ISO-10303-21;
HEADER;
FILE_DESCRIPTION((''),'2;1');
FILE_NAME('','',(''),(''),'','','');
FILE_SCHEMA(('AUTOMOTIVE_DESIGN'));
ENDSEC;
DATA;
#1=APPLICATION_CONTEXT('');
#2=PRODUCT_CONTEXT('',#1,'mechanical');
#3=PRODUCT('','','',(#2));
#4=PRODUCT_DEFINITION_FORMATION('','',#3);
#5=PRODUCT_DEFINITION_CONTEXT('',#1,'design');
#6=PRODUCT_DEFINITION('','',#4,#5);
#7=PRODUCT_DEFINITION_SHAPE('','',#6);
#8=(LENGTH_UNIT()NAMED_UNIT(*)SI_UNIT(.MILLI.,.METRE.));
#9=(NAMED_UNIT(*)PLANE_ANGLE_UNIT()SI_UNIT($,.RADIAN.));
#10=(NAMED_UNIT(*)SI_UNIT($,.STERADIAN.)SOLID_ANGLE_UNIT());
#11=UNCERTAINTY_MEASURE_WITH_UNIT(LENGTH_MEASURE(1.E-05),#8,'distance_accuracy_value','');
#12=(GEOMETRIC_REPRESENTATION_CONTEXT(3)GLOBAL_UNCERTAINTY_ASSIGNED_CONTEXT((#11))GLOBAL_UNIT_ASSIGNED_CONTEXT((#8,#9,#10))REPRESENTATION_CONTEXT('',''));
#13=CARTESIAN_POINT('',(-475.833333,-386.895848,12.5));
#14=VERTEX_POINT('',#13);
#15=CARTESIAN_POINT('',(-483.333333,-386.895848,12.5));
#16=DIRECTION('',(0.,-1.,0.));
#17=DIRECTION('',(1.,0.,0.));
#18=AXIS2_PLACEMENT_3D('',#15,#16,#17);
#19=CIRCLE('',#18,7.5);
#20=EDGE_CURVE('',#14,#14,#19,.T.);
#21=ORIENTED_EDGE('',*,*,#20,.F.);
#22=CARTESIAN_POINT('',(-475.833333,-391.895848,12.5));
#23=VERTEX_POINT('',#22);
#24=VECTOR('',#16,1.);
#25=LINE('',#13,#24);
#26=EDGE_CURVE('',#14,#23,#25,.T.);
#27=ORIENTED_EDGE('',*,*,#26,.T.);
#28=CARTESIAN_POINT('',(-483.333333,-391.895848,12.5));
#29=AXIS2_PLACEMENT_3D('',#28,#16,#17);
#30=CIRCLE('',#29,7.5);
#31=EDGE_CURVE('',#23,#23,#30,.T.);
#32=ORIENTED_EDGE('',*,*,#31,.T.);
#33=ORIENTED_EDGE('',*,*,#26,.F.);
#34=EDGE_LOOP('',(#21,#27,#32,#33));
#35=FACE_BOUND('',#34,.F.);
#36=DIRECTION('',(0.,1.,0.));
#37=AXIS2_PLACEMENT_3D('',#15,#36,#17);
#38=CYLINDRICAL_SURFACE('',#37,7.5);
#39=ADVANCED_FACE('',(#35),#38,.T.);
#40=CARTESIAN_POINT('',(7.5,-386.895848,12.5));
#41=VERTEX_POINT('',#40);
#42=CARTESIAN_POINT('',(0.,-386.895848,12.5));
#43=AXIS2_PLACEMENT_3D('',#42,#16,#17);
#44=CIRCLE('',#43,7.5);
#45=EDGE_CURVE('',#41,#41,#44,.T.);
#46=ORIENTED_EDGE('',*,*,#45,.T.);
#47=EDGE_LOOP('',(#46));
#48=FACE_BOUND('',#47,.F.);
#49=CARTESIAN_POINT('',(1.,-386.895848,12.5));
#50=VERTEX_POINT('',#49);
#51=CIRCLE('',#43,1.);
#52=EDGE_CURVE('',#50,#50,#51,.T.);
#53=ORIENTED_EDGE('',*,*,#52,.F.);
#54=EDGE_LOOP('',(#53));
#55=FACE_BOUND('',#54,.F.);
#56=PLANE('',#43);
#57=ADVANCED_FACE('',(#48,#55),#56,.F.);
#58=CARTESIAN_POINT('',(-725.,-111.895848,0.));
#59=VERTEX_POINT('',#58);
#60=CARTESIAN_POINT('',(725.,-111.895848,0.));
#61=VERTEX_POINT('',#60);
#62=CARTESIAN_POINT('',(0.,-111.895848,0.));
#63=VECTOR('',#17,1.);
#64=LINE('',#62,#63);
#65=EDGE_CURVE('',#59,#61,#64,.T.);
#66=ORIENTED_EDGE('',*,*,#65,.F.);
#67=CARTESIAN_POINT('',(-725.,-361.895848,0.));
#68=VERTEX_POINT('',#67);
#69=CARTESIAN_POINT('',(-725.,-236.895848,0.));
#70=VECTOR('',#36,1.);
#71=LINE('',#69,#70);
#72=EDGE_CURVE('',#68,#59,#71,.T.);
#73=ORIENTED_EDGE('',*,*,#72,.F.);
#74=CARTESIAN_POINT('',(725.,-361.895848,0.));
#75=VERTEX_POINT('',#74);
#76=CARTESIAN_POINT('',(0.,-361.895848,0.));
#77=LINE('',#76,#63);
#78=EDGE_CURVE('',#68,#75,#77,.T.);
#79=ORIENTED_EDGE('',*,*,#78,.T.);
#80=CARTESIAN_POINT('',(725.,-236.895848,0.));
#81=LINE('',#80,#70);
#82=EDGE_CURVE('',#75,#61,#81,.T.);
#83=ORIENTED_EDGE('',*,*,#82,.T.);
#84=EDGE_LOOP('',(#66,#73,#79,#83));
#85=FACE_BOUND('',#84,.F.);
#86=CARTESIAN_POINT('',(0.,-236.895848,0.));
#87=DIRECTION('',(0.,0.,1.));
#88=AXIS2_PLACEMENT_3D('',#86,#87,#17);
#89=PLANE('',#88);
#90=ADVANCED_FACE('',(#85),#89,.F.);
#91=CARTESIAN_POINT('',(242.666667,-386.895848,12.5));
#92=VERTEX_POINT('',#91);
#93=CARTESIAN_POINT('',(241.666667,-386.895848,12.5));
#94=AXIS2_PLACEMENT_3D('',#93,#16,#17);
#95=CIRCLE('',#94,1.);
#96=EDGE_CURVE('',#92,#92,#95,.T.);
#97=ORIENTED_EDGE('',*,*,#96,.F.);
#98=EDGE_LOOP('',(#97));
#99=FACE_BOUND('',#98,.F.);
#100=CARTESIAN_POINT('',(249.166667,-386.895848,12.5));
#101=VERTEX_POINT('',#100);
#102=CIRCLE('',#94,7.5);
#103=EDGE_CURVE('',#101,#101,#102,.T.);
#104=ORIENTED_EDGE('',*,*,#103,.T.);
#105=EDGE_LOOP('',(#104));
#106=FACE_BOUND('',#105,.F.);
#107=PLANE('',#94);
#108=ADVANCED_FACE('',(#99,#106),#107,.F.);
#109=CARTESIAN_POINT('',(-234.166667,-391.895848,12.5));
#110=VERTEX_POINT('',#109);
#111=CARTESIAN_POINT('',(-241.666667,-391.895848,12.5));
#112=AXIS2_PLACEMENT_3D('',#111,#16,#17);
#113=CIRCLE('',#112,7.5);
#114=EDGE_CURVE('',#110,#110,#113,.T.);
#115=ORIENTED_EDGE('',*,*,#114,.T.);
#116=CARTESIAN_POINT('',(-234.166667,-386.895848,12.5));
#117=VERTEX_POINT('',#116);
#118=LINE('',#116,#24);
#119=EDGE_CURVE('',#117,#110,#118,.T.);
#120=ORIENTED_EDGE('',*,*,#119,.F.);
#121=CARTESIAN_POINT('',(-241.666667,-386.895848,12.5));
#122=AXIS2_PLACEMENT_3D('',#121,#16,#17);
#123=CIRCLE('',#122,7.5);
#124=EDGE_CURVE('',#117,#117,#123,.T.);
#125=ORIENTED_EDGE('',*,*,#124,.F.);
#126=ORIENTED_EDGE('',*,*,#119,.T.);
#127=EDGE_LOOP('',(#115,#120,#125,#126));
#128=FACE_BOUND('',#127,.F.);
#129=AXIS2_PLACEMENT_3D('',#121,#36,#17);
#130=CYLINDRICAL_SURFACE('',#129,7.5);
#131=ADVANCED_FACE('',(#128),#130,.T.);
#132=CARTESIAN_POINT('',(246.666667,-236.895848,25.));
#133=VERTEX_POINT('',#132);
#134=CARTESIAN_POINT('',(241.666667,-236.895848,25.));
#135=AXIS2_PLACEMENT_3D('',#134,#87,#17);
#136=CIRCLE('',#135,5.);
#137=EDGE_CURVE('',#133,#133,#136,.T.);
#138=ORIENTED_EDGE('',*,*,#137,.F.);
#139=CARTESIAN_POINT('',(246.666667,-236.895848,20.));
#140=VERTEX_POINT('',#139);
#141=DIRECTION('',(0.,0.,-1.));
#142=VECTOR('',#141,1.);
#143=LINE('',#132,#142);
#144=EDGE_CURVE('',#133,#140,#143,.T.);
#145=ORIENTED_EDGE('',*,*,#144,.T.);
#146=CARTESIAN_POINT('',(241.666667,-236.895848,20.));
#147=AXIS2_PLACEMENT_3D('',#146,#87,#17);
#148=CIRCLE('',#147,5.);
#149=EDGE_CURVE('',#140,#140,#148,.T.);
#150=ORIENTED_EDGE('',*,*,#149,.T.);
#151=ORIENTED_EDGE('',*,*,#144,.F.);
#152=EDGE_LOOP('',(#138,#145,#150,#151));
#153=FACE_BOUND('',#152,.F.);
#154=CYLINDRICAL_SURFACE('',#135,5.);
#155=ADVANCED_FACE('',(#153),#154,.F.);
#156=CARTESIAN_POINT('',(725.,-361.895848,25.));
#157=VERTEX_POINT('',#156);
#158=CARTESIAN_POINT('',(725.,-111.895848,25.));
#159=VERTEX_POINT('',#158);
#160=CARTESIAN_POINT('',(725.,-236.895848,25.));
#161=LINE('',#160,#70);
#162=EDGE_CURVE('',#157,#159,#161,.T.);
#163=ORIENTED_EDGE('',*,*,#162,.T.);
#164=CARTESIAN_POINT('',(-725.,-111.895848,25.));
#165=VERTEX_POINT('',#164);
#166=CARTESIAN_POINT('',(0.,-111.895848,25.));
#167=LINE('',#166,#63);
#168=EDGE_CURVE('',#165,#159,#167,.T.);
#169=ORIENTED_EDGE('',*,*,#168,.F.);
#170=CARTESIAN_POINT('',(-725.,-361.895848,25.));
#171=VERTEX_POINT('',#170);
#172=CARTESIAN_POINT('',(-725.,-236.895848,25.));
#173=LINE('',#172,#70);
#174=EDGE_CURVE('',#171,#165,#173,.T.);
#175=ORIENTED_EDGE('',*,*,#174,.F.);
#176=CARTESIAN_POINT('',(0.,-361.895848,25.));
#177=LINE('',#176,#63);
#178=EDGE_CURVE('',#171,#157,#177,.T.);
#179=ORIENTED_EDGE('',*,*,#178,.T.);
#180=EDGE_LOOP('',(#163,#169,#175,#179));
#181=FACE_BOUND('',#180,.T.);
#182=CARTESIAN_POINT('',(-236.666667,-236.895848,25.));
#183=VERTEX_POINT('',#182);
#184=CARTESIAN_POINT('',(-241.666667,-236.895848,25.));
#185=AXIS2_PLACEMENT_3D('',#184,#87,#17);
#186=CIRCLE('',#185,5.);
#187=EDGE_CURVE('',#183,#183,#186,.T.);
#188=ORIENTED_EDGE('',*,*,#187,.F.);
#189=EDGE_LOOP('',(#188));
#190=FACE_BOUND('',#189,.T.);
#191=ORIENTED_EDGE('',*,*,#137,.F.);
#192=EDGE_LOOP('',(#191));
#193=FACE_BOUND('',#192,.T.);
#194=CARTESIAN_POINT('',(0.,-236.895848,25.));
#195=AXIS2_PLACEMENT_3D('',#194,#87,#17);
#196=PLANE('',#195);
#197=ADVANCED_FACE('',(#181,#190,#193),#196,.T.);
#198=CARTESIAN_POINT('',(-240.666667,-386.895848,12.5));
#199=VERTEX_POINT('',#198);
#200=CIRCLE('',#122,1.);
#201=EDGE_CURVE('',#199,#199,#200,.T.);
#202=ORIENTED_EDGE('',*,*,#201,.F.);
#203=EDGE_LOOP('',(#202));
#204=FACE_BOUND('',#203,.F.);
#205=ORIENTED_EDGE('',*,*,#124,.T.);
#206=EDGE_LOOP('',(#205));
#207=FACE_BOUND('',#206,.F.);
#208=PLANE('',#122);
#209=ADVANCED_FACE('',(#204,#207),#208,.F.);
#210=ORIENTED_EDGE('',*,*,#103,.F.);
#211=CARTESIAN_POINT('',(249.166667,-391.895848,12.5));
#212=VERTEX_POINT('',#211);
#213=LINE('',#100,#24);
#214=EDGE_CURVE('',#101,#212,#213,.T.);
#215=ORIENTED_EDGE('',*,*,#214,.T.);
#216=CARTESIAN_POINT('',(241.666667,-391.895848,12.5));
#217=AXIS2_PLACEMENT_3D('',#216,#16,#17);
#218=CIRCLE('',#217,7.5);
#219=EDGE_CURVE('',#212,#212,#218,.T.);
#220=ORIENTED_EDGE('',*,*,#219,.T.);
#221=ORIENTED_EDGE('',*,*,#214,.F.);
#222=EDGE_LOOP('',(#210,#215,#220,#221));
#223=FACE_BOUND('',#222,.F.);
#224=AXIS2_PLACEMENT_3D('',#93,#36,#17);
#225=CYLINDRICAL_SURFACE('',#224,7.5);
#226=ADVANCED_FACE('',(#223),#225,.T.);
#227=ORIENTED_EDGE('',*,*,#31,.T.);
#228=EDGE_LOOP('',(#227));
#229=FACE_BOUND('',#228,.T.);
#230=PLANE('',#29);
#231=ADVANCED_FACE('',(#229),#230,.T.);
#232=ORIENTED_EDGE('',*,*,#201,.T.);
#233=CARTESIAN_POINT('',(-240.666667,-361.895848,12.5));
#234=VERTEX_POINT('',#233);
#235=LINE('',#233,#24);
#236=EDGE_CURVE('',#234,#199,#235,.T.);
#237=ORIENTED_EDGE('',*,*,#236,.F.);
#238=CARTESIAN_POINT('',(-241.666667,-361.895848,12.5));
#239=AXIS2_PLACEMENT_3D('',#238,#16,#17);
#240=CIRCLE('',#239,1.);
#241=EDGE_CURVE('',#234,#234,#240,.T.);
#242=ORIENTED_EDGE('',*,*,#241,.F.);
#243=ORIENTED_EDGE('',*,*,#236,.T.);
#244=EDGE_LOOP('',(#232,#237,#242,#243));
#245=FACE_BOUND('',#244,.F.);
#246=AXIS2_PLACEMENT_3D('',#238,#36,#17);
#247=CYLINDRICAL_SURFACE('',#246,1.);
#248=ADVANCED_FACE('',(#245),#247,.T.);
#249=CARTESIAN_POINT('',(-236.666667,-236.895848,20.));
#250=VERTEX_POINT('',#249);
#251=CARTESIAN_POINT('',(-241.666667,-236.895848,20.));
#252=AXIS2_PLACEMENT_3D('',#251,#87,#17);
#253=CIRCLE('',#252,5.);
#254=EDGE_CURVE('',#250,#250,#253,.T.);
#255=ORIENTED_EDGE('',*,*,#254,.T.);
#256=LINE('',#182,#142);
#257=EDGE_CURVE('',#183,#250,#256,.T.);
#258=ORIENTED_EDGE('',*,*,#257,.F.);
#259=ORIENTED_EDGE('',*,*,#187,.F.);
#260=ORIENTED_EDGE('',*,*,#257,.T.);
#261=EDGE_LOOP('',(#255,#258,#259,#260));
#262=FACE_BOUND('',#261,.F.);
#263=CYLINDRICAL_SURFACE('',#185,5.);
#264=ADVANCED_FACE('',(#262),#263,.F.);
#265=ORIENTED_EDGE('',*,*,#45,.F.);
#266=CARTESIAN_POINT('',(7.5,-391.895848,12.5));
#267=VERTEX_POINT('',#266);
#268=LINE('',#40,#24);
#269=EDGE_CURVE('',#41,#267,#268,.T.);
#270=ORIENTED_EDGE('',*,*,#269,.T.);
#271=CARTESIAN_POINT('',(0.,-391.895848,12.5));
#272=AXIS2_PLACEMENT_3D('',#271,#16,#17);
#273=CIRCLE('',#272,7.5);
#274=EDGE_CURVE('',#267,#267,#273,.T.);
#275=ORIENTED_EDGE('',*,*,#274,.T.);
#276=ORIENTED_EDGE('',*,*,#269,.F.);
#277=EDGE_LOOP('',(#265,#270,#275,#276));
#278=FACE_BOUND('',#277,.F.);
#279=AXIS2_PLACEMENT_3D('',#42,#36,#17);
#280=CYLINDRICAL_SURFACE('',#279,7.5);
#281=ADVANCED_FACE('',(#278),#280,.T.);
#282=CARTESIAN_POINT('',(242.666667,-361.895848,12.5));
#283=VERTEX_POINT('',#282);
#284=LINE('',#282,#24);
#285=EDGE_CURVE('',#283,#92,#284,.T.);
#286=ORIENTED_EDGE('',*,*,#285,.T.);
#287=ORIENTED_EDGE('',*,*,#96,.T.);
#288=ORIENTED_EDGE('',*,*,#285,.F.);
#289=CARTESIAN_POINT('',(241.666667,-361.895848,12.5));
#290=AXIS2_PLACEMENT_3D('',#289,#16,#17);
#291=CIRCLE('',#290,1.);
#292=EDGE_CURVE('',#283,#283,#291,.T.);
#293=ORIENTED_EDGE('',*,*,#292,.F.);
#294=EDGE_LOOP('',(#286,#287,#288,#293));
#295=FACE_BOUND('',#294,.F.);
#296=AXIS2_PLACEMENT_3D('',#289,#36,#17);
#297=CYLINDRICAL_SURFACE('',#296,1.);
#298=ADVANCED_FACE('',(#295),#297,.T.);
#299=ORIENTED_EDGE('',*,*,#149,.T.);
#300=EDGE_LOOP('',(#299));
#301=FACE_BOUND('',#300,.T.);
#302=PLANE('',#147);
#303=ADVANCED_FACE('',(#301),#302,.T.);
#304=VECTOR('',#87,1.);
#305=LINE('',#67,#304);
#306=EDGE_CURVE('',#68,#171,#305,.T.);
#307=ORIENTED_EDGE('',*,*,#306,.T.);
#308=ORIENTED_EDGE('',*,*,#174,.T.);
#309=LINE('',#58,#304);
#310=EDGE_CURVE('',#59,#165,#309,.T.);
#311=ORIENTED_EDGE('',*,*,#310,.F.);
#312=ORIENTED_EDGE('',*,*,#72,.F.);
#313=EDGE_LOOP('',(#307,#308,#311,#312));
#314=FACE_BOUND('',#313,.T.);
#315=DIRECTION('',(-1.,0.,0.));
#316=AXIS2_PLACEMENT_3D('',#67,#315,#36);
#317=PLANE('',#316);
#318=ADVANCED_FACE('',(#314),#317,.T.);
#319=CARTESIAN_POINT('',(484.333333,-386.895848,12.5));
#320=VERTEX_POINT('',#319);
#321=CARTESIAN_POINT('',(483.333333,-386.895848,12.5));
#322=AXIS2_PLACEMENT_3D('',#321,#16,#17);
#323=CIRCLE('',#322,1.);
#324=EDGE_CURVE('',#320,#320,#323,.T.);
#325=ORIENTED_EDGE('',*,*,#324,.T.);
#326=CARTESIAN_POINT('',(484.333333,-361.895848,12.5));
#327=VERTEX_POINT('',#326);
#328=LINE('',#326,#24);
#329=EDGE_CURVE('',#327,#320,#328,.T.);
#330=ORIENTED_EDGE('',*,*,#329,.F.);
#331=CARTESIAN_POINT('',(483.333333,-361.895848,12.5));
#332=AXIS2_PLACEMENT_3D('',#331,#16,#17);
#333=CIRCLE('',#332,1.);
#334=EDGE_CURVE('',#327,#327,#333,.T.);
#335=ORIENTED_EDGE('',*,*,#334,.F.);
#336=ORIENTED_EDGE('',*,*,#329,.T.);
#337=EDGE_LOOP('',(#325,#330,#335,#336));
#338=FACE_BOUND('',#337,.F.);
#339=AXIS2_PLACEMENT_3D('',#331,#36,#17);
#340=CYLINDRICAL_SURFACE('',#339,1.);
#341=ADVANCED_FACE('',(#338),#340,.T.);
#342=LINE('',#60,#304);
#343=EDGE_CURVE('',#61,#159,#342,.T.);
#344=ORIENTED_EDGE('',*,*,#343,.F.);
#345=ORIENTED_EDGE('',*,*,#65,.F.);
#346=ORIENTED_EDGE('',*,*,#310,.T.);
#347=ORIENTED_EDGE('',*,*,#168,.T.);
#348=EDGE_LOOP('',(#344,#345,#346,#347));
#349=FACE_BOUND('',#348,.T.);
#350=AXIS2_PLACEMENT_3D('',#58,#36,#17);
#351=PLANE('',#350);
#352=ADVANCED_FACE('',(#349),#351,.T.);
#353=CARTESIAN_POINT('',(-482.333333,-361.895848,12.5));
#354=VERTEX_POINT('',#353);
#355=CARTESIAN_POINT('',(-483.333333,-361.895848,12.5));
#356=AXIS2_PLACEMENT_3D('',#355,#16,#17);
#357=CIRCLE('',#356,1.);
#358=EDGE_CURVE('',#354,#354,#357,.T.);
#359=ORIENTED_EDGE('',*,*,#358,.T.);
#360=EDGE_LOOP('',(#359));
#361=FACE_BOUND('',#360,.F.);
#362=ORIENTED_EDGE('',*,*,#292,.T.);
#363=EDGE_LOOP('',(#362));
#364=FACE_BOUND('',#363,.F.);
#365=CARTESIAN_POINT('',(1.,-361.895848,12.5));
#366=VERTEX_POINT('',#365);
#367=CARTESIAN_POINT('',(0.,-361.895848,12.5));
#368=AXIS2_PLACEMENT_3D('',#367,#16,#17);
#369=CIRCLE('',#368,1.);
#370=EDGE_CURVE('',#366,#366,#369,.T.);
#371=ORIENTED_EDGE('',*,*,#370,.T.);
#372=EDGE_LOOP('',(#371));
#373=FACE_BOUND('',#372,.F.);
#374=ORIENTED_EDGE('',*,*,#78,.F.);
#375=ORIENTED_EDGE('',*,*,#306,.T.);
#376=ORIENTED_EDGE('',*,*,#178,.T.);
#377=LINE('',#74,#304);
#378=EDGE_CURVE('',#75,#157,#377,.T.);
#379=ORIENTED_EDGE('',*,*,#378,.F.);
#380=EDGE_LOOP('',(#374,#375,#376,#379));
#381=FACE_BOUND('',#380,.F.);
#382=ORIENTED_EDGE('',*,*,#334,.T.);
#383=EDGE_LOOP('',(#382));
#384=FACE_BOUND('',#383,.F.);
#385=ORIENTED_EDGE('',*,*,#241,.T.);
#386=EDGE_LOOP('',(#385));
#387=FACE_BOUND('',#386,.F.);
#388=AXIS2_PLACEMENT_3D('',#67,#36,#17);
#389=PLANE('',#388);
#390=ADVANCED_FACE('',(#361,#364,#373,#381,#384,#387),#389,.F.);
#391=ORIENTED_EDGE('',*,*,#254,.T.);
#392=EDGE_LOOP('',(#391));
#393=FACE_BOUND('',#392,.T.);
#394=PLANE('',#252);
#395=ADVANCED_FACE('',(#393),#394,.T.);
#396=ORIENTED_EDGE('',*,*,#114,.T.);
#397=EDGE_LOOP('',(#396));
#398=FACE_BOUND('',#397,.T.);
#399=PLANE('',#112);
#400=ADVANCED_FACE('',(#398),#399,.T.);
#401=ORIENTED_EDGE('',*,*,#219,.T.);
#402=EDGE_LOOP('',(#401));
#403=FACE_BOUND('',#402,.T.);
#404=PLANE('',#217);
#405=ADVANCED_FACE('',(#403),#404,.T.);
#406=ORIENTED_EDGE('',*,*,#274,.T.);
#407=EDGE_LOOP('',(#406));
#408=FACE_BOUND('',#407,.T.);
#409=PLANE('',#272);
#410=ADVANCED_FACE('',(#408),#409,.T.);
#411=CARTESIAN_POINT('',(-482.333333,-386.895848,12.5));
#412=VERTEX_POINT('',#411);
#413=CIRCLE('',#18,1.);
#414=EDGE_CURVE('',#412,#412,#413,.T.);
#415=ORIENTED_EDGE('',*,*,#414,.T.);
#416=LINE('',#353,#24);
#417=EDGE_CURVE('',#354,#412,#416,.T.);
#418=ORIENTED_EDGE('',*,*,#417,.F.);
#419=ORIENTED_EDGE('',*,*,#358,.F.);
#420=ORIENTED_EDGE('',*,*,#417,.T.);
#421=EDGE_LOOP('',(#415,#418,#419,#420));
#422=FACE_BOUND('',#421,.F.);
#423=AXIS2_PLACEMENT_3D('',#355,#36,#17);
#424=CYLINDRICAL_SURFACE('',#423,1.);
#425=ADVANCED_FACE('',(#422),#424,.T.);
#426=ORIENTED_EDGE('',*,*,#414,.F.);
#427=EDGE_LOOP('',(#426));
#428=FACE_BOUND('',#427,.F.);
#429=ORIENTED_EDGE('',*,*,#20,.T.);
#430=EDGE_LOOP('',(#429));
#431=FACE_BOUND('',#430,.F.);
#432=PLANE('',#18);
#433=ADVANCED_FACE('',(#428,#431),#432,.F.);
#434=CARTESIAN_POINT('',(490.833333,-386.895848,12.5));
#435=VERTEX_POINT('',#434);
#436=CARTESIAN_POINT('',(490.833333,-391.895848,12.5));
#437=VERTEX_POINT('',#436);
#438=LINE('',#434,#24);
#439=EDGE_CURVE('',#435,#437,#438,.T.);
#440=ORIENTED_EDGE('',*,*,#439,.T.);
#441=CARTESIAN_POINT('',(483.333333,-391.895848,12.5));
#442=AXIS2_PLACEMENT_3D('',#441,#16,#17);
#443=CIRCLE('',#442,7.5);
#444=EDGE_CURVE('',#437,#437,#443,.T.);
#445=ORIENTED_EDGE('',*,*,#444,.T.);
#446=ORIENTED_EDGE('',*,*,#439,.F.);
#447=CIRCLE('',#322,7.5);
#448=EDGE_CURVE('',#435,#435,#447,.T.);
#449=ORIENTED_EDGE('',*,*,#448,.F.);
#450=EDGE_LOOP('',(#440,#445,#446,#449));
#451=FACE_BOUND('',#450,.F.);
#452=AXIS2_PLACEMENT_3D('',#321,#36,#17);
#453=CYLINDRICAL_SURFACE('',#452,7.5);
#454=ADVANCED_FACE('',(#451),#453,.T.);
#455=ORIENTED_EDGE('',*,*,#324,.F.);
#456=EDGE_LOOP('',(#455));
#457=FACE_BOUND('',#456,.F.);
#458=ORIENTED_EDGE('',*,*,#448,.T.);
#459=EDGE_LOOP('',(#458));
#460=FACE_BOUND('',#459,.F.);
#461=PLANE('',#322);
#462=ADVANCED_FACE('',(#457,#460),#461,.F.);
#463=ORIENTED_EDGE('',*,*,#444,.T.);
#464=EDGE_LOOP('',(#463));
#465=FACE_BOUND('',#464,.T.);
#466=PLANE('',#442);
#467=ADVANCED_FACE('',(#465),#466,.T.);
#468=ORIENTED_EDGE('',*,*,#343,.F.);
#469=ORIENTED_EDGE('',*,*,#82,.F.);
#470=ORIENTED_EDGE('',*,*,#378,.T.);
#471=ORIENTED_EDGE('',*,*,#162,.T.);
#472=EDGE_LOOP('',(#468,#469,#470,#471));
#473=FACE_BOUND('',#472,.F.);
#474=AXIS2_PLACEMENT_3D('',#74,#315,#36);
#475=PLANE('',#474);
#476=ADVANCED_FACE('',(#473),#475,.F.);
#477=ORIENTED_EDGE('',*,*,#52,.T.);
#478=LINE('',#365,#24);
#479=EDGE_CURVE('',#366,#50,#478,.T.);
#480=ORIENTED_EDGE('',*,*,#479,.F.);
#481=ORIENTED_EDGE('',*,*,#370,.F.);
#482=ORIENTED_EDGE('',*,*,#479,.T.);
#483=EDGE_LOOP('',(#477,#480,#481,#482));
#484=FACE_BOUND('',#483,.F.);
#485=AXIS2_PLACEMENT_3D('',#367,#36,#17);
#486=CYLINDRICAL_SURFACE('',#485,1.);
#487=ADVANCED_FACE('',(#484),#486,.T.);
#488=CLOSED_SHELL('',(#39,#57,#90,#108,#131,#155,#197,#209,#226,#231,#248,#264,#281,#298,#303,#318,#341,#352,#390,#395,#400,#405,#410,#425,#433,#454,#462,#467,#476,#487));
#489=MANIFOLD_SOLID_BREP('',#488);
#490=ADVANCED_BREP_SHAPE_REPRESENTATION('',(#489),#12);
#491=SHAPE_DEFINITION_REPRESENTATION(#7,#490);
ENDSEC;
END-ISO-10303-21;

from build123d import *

# Parameters (mm, degrees)
F0_W     = 1450
F0_H     = 250
F1_DEPTH = 25
F2_R     = 1
F3_DEPTH = 25
F5_R     = 7.5
F6_DEPTH = 5
F7_R     = 5
F8_DEPTH = 5


with BuildPart() as f1:
    # F0 (on Top) → F1 (new body)
    with BuildSketch(Plane.XY):
        with Locations((0, -236.8958477461)):
            Rectangle(F0_W, F0_H)
    extrude(amount=F1_DEPTH)

    # F2 (on face) → F3 (join)
    with BuildSketch(Plane.XZ.offset(361.8958477461)):
        with Locations((-483.3333333333, 12.5)):
            Circle(F2_R)
        with Locations((-241.6666666667, 12.5)):
            Circle(F2_R)
        with Locations((0, 12.5)):
            Circle(F2_R)
        with Locations((241.6666666667, 12.5)):
            Circle(F2_R)
        with Locations((483.3333333333, 12.5)):
            Circle(F2_R)
    extrude(amount=F3_DEPTH)

    # F5 (on offset) → F6 (join)
    with BuildSketch(Plane.XZ.offset(386.8958477461)):
        with Locations((-483.3333333333, 12.5)):
            Circle(F5_R)
        with Locations((-241.6666666667, 12.5)):
            Circle(F5_R)
        with Locations((0, 12.5)):
            Circle(F5_R)
        with Locations((241.6666666667, 12.5)):
            Circle(F5_R)
        with Locations((483.3333333333, 12.5)):
            Circle(F5_R)
    extrude(amount=F6_DEPTH)

    # F7 (on face) → F8 (cut)
    with BuildSketch(Plane.XY.offset(25)):
        with Locations((-241.6666666667, -236.8958477461)):
            Circle(F7_R)
        with Locations((241.6666666667, -236.8958477461)):
            Circle(F7_R)
    extrude(amount=-F8_DEPTH, mode=Mode.SUBTRACT)


solid = f1.part
